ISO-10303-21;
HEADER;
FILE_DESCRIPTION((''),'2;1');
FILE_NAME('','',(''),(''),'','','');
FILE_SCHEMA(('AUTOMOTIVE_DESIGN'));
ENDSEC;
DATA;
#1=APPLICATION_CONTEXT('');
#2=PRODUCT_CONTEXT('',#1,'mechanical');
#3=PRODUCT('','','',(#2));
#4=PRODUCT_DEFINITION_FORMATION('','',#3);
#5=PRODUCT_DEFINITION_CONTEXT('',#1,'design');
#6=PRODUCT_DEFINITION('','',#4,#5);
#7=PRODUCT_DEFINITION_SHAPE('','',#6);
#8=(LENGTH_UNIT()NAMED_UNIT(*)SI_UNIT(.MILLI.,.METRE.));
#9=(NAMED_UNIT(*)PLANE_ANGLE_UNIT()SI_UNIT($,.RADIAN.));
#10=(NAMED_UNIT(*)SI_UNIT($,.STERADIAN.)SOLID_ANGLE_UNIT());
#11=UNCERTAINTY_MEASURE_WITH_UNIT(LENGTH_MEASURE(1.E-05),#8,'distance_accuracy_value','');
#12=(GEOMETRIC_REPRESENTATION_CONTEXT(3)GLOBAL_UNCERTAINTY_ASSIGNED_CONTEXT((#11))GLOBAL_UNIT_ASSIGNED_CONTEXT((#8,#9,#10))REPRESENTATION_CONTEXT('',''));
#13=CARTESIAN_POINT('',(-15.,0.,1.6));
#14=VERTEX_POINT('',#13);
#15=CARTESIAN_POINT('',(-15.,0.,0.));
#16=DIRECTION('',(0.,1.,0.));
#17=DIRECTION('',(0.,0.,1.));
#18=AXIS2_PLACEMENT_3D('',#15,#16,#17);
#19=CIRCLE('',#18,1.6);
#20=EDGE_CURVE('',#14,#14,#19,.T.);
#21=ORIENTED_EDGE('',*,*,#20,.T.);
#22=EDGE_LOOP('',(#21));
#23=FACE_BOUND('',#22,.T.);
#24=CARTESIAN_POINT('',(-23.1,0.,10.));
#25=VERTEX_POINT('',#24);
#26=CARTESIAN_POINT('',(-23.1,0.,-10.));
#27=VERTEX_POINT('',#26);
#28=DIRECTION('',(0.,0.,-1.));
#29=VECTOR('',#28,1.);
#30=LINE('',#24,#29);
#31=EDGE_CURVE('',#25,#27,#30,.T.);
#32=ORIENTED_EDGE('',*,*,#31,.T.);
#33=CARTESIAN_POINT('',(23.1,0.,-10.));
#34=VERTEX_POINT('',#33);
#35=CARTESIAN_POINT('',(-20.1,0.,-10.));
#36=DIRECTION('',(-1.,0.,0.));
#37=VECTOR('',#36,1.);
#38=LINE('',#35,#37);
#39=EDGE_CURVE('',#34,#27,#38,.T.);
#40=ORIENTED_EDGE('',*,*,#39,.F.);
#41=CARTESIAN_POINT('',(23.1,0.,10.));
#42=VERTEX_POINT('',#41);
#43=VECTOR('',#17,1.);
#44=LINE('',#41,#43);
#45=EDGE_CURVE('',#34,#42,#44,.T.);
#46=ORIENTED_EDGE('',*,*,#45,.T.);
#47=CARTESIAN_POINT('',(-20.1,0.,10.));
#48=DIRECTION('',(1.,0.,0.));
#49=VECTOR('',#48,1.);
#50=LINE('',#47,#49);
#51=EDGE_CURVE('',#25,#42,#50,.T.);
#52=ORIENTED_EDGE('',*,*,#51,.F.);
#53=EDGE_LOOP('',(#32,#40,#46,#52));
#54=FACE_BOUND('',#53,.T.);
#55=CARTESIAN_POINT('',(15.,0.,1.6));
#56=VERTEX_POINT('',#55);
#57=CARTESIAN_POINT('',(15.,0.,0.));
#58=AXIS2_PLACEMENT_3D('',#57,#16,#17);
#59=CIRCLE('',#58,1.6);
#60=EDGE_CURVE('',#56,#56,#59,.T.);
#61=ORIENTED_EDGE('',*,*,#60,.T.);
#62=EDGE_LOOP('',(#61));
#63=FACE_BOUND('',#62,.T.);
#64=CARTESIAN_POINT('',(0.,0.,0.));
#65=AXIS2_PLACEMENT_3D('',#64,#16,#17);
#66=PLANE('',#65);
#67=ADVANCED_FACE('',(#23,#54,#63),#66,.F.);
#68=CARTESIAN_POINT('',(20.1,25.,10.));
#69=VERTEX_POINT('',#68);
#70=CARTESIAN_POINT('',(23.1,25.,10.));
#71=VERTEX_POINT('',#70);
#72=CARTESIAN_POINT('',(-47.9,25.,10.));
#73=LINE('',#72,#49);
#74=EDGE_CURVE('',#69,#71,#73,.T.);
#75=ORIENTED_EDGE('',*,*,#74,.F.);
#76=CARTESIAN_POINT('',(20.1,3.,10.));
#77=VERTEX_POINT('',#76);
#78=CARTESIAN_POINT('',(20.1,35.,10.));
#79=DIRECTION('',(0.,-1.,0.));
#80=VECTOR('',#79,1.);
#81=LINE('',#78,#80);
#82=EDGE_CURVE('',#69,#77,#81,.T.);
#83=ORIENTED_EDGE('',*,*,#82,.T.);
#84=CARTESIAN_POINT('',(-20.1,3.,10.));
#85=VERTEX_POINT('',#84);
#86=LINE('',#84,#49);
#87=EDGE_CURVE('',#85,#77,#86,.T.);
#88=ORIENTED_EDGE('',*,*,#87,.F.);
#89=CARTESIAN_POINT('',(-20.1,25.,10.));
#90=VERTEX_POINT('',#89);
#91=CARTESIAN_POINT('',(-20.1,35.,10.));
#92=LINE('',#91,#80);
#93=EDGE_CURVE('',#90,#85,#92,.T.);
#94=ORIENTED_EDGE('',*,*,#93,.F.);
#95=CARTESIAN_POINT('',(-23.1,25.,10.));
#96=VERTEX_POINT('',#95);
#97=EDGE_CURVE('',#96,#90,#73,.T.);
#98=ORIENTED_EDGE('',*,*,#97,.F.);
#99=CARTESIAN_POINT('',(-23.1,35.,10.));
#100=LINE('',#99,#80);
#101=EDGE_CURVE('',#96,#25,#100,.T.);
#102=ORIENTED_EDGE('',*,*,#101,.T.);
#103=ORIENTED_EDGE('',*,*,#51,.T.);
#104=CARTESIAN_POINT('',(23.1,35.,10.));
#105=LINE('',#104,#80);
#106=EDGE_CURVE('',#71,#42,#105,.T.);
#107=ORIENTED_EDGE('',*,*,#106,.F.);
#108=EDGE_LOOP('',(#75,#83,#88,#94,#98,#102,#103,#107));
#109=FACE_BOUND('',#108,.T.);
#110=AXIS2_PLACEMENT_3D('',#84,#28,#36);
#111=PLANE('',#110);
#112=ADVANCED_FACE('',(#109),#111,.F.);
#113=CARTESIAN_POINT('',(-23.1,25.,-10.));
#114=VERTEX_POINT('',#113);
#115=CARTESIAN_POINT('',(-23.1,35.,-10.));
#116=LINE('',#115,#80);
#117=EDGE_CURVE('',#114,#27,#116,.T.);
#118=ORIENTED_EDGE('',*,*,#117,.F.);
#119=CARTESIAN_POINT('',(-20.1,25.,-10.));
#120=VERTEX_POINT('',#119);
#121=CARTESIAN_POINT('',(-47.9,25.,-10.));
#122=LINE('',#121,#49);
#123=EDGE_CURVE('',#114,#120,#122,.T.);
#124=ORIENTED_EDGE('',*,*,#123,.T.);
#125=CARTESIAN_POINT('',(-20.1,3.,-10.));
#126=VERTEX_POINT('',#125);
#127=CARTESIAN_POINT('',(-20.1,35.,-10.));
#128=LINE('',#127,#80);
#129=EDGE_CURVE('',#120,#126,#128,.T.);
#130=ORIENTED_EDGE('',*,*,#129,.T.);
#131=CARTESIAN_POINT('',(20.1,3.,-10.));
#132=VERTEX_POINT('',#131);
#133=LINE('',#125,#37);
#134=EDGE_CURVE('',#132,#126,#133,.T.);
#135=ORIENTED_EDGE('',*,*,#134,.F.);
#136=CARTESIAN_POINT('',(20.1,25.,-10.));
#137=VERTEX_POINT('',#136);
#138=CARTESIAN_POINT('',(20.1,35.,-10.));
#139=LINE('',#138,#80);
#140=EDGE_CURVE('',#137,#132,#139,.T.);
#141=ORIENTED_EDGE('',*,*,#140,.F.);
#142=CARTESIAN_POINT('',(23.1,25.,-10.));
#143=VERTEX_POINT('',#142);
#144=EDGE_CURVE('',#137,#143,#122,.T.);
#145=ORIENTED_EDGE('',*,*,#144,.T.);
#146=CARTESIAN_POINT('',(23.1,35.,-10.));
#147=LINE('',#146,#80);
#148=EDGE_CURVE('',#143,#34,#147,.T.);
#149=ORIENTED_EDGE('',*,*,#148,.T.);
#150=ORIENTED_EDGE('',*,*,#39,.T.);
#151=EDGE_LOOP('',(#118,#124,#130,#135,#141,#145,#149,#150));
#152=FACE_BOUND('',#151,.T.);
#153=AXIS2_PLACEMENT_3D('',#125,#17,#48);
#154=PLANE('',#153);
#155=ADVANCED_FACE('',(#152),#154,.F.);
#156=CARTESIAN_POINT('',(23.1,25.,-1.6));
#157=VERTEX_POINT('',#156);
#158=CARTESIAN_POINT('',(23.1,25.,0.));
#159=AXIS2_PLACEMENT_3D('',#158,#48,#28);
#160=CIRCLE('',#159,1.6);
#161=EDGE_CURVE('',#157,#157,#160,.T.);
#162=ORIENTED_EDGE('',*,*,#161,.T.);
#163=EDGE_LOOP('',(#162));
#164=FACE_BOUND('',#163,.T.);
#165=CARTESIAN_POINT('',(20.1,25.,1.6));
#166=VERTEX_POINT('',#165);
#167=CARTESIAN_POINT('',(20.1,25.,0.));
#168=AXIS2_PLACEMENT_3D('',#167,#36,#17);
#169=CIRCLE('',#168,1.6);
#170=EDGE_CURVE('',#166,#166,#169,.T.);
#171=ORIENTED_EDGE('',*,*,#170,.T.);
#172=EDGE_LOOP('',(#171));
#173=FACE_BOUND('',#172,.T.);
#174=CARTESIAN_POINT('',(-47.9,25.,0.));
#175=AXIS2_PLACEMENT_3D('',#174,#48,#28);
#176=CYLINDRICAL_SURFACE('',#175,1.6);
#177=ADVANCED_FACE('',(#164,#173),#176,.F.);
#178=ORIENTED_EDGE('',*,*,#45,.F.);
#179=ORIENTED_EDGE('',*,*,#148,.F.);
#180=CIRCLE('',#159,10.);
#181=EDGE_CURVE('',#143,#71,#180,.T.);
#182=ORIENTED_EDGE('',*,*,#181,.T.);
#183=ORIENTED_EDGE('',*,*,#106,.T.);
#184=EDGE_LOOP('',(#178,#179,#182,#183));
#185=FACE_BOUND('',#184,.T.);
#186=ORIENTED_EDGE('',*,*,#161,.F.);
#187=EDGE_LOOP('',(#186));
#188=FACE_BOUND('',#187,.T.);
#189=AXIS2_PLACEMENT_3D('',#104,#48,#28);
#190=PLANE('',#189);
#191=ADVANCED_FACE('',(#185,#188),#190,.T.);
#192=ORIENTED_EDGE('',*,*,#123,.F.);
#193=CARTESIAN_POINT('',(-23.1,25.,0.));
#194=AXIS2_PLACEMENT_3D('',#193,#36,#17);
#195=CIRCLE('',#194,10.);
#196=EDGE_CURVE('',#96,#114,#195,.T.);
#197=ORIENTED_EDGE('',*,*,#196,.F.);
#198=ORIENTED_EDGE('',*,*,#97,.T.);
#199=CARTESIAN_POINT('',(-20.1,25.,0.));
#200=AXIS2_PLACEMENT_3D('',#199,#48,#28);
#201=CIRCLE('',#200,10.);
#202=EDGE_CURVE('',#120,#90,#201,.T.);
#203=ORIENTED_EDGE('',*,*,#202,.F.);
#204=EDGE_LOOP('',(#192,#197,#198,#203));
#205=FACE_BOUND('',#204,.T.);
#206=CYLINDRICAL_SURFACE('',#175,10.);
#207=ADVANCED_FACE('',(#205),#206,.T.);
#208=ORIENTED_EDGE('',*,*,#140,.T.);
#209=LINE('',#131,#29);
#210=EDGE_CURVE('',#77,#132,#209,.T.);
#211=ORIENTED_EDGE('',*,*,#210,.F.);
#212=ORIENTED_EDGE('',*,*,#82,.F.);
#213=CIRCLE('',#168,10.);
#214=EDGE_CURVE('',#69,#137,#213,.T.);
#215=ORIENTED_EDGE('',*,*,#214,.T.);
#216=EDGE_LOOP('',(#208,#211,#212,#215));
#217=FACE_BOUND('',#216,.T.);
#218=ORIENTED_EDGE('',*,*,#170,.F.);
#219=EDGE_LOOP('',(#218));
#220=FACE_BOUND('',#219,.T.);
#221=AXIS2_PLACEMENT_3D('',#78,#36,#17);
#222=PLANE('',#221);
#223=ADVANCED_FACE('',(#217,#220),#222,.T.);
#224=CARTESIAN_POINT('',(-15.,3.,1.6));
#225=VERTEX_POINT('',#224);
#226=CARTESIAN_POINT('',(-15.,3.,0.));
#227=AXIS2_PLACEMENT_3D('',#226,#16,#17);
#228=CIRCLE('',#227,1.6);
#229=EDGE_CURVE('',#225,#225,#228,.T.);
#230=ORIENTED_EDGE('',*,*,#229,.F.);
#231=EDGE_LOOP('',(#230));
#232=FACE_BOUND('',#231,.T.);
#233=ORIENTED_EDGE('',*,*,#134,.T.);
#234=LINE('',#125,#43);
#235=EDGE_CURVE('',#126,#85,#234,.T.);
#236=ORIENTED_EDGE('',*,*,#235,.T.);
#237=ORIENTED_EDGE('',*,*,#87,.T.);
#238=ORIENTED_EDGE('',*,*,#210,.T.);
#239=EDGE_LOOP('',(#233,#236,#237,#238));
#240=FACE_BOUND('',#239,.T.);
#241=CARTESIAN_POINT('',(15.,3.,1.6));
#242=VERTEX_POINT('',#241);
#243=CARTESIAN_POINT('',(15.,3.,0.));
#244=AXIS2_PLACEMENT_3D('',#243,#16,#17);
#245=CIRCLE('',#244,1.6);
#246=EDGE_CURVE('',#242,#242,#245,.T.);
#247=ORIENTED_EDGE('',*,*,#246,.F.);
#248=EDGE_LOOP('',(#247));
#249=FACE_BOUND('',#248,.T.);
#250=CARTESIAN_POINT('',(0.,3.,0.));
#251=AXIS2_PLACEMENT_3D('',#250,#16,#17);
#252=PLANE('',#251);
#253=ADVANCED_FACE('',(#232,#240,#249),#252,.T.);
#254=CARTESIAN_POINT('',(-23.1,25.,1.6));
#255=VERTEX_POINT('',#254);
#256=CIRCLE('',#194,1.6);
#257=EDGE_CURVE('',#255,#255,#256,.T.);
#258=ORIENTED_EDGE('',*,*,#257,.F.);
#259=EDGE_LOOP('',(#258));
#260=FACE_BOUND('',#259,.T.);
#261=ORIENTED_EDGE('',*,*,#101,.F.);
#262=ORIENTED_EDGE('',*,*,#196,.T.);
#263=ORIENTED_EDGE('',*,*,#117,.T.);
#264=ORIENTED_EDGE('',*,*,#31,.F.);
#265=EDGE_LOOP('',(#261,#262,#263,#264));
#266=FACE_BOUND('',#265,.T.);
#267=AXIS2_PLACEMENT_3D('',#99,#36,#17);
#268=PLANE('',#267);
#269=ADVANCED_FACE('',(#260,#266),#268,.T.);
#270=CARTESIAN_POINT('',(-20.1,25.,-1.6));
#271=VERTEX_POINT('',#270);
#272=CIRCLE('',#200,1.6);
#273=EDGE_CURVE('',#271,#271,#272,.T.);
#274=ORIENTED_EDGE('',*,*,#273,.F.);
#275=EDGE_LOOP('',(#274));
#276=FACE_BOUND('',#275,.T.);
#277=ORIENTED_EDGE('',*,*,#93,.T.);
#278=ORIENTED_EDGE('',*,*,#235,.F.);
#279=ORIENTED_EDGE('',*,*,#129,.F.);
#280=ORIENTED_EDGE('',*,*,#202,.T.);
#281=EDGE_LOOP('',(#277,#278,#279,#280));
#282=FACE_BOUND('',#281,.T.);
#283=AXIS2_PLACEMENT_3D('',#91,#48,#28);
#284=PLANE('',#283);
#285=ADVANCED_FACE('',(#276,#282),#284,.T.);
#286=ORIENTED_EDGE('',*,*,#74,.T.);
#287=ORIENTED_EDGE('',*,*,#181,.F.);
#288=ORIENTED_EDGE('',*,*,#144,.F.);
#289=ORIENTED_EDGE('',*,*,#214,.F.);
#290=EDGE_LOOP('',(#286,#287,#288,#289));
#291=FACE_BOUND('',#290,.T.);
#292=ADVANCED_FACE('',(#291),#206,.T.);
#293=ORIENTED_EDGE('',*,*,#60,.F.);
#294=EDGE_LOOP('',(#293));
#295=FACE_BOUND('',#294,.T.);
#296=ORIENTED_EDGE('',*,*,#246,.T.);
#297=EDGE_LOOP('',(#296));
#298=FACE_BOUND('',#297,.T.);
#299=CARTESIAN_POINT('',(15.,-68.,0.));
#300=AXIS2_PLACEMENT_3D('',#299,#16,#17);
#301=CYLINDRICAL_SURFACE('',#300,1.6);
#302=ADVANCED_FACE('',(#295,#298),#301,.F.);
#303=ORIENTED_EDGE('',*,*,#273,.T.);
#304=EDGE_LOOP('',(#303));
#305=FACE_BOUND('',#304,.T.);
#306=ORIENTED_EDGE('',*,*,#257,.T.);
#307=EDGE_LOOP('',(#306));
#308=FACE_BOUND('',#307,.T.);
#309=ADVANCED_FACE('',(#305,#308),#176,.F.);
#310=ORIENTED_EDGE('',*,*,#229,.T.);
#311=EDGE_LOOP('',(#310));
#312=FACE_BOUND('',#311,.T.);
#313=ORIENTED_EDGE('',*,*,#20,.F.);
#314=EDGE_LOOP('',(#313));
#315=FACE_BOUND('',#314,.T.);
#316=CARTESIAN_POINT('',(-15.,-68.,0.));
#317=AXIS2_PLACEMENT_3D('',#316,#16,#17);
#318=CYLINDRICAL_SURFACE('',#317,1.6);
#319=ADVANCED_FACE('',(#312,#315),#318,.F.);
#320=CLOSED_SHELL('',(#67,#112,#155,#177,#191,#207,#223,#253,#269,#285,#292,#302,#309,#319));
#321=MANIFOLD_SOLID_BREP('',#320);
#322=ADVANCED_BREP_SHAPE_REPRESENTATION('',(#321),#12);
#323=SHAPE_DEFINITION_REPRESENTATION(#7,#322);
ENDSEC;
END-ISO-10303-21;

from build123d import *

# Parameters (mm, degrees)
ESQUISSE1_W             = 40.2
ESQUISSE1_H             = 20
BOSS_EXTRU_1_DEPTH      = 3
ESQUISSE2_W             = 3
ESQUISSE2_H             = 20
BOSS_EXTRU_2_DEPTH      = 35
ENL_V_MAT_EXTRU_1_DEPTH = 71
ESQUISSE4_R             = 1.6
ENL_V_MAT_EXTRU_2_DEPTH = 71
ESQUISSE5_R             = 1.6
ENL_V_MAT_EXTRU_3_DEPTH = 71


with BuildPart() as part:
    # Esquisse1 → Boss.-Extru.1 (new body)
    with BuildSketch(Plane(origin=(0, 0, 0), x_dir=(1, 0, 0), z_dir=(0, 1, 0))):
        Rectangle(ESQUISSE1_W, ESQUISSE1_H)
    extrude(amount=BOSS_EXTRU_1_DEPTH)

    # Esquisse2 → Boss.-Extru.2 (add)
    with BuildSketch(Plane.XZ):
        with Locations((-21.6, 0)):
            Rectangle(ESQUISSE2_W, ESQUISSE2_H)
        with Locations((21.6, 0)):
            Rectangle(ESQUISSE2_W, ESQUISSE2_H)
    extrude(amount=-BOSS_EXTRU_2_DEPTH)

    # Esquisse3 → Enlèv. mat.-Extru.1 (cut)
    with BuildSketch(Plane(origin=(23.1, 0, 0), x_dir=(0, 0, -1), z_dir=(1, 0, 0))):
        with BuildLine():
            Line((-10, 35), (-10, 25))
            ThreePointArc((-10, 25), (-7.071067812, 32.071067812), (0, 35))
            Line((0, 35), (-10, 35))
        make_face()
        with BuildLine():
            Line((10, 35), (0, 35))
            ThreePointArc((0, 35), (7.071067812, 32.071067812), (10, 25))
            Line((10, 25), (10, 35))
        make_face()
    extrude(amount=-ENL_V_MAT_EXTRU_1_DEPTH, mode=Mode.SUBTRACT)

    # Esquisse4 → Enlèv. mat.-Extru.2 (cut)
    with BuildSketch(Plane(origin=(23.1, 0, 0), x_dir=(0, 0, -1), z_dir=(1, 0, 0))):
        with Locations((0, 25)):
            Circle(ESQUISSE4_R)
    extrude(amount=-ENL_V_MAT_EXTRU_2_DEPTH, mode=Mode.SUBTRACT)

    # Esquisse5 → Enlèv. mat.-Extru.3 (cut)
    with BuildSketch(Plane(origin=(0, 3, 0), x_dir=(1, 0, 0), z_dir=(0, 1, 0))):
        with Locations(Location((-15, 0, 0), (0, 0, 270))):
            Circle(ESQUISSE5_R)
        with Locations(Location((15, 0, 0), (0, 0, 270))):
            Circle(ESQUISSE5_R)
    extrude(amount=-ENL_V_MAT_EXTRU_3_DEPTH, mode=Mode.SUBTRACT)


solid = part.part
